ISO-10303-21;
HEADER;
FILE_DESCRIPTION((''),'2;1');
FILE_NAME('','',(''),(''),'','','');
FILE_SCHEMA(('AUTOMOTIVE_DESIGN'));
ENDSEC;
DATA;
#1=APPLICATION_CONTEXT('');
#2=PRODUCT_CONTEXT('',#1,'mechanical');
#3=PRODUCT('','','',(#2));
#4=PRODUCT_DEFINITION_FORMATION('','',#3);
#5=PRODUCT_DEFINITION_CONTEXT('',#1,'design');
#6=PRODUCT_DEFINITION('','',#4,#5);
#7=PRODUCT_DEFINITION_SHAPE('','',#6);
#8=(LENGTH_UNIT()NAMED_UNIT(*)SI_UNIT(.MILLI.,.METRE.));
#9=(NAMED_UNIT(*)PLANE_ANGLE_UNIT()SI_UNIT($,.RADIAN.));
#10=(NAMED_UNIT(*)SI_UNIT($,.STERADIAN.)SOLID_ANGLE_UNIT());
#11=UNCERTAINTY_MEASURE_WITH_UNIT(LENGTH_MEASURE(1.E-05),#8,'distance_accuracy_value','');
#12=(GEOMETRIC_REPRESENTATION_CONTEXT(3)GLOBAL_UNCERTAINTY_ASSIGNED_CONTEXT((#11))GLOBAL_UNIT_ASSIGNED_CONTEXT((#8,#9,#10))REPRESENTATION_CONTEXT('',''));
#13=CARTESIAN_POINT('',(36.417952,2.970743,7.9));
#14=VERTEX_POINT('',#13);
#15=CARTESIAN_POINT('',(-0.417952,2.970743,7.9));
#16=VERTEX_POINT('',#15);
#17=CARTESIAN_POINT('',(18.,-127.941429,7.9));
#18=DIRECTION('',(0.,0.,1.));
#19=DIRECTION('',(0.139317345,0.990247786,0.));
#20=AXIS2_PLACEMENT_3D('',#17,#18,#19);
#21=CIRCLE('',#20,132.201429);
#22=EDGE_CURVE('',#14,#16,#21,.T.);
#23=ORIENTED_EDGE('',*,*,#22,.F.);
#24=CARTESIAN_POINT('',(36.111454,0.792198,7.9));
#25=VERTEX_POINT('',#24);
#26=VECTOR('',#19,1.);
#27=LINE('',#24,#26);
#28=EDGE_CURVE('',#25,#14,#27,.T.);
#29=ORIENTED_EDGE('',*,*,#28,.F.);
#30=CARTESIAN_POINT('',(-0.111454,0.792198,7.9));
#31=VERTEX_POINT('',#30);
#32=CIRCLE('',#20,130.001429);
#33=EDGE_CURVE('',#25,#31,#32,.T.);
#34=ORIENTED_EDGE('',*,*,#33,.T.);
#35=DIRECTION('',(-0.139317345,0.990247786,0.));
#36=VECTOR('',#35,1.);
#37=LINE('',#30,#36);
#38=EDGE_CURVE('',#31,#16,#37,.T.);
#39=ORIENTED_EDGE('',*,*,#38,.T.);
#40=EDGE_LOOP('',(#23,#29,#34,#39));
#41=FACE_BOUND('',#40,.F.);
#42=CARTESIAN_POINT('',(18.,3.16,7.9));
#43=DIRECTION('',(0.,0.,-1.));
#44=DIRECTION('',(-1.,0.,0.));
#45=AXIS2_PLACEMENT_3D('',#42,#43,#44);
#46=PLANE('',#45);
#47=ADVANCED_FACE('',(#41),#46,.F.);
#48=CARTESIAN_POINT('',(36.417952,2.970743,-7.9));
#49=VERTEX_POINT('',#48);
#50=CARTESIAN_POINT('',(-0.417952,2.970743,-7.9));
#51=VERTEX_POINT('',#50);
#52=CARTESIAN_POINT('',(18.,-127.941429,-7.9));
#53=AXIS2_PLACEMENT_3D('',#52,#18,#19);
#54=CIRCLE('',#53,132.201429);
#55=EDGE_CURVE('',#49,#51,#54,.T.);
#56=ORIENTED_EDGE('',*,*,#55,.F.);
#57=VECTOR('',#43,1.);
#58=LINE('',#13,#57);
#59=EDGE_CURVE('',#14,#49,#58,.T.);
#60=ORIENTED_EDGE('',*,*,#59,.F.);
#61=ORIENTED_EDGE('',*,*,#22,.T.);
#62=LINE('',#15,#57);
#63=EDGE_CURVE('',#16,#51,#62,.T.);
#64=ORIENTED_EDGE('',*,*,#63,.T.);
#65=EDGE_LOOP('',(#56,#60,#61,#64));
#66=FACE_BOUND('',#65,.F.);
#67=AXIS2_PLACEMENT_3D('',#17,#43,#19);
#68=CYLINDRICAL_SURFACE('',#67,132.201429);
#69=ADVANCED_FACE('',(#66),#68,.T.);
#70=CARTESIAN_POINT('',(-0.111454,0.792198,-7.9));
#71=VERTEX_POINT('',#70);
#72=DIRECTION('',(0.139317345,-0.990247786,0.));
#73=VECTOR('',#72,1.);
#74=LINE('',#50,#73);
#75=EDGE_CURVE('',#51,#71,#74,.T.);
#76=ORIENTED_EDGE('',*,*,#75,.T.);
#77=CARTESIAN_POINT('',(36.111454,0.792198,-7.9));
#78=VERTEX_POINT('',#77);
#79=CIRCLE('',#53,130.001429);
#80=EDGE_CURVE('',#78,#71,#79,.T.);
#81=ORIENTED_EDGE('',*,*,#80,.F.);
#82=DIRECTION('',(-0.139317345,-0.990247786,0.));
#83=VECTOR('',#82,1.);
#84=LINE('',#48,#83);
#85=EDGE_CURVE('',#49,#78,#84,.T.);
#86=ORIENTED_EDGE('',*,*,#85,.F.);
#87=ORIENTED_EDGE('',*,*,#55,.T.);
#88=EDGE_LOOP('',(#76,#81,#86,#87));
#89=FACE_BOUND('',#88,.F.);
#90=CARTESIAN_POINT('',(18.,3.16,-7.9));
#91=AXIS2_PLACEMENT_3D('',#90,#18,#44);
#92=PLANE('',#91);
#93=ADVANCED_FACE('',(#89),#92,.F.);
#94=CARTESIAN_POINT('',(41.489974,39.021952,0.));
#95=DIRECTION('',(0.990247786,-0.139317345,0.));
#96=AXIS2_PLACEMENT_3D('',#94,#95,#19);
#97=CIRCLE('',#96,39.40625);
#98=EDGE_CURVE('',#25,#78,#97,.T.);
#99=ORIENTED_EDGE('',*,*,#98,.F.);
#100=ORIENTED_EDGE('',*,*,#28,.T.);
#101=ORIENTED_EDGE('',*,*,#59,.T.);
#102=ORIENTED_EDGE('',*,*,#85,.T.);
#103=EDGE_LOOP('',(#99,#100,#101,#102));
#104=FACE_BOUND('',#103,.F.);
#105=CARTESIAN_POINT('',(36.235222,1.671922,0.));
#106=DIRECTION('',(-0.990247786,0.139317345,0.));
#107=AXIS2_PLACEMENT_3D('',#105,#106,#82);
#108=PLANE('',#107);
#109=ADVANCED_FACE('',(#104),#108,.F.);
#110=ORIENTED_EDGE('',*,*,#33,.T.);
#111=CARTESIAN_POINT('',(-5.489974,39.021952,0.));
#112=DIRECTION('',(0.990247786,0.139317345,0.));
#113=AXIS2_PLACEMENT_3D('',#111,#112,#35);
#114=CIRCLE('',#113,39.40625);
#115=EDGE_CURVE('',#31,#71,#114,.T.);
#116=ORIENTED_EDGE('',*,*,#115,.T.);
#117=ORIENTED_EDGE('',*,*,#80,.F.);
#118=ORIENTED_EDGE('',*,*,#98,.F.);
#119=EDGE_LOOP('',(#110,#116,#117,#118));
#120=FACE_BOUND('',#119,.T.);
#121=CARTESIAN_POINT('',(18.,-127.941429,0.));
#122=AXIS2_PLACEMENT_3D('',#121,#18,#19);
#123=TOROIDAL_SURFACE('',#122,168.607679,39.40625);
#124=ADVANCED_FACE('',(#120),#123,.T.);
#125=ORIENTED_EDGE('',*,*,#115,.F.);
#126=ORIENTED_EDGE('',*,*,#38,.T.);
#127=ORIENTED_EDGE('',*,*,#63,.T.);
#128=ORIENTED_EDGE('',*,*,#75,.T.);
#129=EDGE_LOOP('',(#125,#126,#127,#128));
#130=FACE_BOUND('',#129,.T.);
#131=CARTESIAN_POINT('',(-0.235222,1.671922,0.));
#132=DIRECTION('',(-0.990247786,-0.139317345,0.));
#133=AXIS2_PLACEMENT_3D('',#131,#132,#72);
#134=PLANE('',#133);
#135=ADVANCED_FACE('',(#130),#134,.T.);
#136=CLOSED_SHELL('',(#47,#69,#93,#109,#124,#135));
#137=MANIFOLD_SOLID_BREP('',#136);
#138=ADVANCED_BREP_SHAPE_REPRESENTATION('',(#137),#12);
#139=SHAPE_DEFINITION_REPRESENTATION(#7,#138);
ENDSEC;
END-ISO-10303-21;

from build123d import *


with BuildPart() as f3:
    # F3: sweep along a path in F0
    with BuildLine(Plane.XY) as f3_path:
        ThreePointArc((36, 0), (18, 1.26), (0, 0))
    # F2 (on line) → F3 (sweep)
    with BuildSketch(Plane(origin=(0, 0, 0), x_dir=(0.139317345, -0.9902477858, 0), z_dir=(-0.9902477858, -0.139317345, 0))):
        with BuildLine():
            Line((-3, 7.9), (-3, -7.9))
            Line((-3, -7.9), (-0.8, -7.9))
            ThreePointArc((-0.8, -7.9), (0, 0), (-0.8, 7.9))
            Line((-0.8, 7.9), (-3, 7.9))
        make_face()
    sweep(path=f3_path.line)


solid = f3.part
